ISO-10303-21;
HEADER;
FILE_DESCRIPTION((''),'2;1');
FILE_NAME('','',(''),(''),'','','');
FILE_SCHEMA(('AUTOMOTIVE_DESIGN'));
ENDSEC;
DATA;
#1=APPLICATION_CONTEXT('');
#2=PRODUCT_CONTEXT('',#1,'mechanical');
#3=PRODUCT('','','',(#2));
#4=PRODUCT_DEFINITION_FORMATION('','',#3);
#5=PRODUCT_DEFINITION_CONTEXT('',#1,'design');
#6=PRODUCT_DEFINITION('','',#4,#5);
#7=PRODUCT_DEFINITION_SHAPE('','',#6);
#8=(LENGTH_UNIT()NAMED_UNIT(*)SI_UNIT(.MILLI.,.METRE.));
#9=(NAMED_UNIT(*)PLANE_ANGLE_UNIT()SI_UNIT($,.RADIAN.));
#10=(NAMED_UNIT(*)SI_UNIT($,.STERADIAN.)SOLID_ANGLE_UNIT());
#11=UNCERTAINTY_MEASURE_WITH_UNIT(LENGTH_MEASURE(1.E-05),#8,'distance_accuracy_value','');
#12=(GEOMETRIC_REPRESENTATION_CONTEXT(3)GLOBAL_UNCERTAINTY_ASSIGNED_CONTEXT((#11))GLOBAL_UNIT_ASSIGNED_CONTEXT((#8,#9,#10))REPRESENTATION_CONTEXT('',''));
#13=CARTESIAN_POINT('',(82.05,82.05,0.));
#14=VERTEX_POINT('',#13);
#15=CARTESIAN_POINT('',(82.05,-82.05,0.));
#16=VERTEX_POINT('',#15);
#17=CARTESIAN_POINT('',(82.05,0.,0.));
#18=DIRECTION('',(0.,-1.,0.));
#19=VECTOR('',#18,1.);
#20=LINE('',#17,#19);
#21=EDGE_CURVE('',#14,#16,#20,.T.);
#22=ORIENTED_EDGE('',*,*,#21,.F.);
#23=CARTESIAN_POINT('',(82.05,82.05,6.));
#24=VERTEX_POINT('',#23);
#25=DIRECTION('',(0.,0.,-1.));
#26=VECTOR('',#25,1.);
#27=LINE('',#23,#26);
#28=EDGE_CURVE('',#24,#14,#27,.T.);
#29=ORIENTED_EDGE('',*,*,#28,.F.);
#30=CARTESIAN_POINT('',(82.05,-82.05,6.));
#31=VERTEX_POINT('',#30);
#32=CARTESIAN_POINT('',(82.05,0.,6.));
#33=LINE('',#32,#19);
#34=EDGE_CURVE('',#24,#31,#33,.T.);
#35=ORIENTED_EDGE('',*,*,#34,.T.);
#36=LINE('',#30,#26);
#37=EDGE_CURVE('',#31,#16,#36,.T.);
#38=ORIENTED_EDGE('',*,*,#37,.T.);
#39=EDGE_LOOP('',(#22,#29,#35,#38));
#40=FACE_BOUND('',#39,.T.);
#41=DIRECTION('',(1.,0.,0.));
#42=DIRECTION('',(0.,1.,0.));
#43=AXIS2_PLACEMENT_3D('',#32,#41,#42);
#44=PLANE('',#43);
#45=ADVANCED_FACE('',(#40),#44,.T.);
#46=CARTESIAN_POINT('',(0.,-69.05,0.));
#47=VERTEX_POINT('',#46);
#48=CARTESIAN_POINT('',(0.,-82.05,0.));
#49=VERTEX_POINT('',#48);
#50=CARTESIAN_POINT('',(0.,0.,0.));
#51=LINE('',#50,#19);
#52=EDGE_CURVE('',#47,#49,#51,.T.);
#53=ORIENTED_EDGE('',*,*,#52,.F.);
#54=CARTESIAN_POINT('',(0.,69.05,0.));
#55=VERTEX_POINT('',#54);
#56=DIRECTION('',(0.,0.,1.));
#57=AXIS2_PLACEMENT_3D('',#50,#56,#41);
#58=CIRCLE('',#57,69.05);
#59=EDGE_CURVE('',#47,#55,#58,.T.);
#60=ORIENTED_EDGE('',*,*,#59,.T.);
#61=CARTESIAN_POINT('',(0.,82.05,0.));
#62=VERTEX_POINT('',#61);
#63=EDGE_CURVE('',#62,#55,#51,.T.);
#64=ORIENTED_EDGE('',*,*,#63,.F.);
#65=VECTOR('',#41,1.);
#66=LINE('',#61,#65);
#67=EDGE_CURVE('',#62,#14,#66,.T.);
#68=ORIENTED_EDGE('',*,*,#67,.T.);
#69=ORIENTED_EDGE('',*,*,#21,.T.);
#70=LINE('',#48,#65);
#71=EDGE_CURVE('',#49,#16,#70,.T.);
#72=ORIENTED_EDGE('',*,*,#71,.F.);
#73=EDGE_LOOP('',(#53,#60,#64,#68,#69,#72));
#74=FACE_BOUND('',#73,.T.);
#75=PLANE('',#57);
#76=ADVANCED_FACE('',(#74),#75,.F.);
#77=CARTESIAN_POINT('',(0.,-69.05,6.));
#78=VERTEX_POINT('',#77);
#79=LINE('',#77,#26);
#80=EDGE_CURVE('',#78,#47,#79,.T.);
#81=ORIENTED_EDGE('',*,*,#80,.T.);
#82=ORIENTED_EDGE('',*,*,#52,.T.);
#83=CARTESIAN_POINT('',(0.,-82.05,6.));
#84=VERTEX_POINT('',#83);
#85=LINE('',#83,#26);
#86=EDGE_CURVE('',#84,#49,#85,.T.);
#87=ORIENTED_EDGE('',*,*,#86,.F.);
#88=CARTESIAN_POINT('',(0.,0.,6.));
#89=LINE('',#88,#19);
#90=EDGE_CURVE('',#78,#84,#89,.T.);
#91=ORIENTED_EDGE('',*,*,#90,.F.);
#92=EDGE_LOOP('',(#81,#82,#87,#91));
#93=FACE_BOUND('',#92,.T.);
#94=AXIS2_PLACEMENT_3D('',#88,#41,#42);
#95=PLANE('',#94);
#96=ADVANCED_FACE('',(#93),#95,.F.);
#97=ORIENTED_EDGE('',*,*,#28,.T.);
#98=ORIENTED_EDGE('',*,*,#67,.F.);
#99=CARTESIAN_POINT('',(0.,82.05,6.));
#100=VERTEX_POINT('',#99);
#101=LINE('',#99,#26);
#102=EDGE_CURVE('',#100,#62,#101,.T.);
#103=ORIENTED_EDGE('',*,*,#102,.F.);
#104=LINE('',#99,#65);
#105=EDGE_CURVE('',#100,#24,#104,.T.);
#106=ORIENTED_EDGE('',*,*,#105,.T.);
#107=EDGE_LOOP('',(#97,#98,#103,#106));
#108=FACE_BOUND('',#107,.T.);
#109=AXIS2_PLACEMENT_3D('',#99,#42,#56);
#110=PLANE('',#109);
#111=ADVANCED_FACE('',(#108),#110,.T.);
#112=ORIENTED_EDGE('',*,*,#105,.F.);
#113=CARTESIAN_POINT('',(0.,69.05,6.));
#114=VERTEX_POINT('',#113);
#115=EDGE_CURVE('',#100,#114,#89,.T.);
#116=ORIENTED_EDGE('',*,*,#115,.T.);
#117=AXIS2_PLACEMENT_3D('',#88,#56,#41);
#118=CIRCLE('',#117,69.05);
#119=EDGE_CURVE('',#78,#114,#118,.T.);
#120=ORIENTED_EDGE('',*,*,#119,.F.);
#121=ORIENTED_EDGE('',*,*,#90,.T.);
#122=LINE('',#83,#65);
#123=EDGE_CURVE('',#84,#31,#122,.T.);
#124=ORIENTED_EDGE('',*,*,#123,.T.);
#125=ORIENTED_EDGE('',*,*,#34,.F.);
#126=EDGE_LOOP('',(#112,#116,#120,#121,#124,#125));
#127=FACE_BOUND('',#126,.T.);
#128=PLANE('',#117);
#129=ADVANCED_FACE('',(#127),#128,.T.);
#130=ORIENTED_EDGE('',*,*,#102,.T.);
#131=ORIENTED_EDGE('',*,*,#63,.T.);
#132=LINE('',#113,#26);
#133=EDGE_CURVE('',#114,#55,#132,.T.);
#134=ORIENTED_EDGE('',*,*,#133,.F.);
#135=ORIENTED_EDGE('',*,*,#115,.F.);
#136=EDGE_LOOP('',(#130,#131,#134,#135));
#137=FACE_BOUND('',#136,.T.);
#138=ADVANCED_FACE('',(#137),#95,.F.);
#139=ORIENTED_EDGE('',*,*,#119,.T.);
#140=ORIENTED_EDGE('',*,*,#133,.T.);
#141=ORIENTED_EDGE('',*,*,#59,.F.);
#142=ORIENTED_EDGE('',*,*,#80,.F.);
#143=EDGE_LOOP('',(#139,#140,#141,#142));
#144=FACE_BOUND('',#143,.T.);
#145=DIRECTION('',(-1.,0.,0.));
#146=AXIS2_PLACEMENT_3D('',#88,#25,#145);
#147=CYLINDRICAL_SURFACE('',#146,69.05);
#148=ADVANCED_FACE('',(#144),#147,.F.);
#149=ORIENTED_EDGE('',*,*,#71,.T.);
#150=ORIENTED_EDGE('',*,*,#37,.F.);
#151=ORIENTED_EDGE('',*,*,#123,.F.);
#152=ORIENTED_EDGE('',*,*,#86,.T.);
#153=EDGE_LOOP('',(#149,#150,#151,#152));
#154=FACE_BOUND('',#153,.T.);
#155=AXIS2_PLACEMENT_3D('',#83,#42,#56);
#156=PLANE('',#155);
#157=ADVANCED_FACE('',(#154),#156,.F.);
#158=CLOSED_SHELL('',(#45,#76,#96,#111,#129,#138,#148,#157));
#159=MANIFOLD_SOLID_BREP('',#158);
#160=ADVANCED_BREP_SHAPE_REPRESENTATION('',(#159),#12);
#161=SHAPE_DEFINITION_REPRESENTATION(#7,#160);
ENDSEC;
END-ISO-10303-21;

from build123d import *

# Parameters (mm, degrees)
EXTRUDE_1_DEPTH = 6


with BuildPart() as part:
    # Эскиз1 → Бобышка-Вытянуть1 (new body)
    with BuildSketch(Plane.XY):
        with BuildLine():
            Line((82.05, 82.05), (0, 82.05))
            Line((0, 82.05), (0, 69.05))
            ThreePointArc((0, 69.05), (48.825723241, 48.825723241), (69.05, 0))
            ThreePointArc((69.05, 0), (48.825723241, -48.825723241), (0, -69.05))
            Line((0, -69.05), (0, -82.05))
            Line((0, -82.05), (82.05, -82.05))
            Line((82.05, -82.05), (82.05, 82.05))
        make_face()
    extrude(amount=EXTRUDE_1_DEPTH)


solid = part.part
